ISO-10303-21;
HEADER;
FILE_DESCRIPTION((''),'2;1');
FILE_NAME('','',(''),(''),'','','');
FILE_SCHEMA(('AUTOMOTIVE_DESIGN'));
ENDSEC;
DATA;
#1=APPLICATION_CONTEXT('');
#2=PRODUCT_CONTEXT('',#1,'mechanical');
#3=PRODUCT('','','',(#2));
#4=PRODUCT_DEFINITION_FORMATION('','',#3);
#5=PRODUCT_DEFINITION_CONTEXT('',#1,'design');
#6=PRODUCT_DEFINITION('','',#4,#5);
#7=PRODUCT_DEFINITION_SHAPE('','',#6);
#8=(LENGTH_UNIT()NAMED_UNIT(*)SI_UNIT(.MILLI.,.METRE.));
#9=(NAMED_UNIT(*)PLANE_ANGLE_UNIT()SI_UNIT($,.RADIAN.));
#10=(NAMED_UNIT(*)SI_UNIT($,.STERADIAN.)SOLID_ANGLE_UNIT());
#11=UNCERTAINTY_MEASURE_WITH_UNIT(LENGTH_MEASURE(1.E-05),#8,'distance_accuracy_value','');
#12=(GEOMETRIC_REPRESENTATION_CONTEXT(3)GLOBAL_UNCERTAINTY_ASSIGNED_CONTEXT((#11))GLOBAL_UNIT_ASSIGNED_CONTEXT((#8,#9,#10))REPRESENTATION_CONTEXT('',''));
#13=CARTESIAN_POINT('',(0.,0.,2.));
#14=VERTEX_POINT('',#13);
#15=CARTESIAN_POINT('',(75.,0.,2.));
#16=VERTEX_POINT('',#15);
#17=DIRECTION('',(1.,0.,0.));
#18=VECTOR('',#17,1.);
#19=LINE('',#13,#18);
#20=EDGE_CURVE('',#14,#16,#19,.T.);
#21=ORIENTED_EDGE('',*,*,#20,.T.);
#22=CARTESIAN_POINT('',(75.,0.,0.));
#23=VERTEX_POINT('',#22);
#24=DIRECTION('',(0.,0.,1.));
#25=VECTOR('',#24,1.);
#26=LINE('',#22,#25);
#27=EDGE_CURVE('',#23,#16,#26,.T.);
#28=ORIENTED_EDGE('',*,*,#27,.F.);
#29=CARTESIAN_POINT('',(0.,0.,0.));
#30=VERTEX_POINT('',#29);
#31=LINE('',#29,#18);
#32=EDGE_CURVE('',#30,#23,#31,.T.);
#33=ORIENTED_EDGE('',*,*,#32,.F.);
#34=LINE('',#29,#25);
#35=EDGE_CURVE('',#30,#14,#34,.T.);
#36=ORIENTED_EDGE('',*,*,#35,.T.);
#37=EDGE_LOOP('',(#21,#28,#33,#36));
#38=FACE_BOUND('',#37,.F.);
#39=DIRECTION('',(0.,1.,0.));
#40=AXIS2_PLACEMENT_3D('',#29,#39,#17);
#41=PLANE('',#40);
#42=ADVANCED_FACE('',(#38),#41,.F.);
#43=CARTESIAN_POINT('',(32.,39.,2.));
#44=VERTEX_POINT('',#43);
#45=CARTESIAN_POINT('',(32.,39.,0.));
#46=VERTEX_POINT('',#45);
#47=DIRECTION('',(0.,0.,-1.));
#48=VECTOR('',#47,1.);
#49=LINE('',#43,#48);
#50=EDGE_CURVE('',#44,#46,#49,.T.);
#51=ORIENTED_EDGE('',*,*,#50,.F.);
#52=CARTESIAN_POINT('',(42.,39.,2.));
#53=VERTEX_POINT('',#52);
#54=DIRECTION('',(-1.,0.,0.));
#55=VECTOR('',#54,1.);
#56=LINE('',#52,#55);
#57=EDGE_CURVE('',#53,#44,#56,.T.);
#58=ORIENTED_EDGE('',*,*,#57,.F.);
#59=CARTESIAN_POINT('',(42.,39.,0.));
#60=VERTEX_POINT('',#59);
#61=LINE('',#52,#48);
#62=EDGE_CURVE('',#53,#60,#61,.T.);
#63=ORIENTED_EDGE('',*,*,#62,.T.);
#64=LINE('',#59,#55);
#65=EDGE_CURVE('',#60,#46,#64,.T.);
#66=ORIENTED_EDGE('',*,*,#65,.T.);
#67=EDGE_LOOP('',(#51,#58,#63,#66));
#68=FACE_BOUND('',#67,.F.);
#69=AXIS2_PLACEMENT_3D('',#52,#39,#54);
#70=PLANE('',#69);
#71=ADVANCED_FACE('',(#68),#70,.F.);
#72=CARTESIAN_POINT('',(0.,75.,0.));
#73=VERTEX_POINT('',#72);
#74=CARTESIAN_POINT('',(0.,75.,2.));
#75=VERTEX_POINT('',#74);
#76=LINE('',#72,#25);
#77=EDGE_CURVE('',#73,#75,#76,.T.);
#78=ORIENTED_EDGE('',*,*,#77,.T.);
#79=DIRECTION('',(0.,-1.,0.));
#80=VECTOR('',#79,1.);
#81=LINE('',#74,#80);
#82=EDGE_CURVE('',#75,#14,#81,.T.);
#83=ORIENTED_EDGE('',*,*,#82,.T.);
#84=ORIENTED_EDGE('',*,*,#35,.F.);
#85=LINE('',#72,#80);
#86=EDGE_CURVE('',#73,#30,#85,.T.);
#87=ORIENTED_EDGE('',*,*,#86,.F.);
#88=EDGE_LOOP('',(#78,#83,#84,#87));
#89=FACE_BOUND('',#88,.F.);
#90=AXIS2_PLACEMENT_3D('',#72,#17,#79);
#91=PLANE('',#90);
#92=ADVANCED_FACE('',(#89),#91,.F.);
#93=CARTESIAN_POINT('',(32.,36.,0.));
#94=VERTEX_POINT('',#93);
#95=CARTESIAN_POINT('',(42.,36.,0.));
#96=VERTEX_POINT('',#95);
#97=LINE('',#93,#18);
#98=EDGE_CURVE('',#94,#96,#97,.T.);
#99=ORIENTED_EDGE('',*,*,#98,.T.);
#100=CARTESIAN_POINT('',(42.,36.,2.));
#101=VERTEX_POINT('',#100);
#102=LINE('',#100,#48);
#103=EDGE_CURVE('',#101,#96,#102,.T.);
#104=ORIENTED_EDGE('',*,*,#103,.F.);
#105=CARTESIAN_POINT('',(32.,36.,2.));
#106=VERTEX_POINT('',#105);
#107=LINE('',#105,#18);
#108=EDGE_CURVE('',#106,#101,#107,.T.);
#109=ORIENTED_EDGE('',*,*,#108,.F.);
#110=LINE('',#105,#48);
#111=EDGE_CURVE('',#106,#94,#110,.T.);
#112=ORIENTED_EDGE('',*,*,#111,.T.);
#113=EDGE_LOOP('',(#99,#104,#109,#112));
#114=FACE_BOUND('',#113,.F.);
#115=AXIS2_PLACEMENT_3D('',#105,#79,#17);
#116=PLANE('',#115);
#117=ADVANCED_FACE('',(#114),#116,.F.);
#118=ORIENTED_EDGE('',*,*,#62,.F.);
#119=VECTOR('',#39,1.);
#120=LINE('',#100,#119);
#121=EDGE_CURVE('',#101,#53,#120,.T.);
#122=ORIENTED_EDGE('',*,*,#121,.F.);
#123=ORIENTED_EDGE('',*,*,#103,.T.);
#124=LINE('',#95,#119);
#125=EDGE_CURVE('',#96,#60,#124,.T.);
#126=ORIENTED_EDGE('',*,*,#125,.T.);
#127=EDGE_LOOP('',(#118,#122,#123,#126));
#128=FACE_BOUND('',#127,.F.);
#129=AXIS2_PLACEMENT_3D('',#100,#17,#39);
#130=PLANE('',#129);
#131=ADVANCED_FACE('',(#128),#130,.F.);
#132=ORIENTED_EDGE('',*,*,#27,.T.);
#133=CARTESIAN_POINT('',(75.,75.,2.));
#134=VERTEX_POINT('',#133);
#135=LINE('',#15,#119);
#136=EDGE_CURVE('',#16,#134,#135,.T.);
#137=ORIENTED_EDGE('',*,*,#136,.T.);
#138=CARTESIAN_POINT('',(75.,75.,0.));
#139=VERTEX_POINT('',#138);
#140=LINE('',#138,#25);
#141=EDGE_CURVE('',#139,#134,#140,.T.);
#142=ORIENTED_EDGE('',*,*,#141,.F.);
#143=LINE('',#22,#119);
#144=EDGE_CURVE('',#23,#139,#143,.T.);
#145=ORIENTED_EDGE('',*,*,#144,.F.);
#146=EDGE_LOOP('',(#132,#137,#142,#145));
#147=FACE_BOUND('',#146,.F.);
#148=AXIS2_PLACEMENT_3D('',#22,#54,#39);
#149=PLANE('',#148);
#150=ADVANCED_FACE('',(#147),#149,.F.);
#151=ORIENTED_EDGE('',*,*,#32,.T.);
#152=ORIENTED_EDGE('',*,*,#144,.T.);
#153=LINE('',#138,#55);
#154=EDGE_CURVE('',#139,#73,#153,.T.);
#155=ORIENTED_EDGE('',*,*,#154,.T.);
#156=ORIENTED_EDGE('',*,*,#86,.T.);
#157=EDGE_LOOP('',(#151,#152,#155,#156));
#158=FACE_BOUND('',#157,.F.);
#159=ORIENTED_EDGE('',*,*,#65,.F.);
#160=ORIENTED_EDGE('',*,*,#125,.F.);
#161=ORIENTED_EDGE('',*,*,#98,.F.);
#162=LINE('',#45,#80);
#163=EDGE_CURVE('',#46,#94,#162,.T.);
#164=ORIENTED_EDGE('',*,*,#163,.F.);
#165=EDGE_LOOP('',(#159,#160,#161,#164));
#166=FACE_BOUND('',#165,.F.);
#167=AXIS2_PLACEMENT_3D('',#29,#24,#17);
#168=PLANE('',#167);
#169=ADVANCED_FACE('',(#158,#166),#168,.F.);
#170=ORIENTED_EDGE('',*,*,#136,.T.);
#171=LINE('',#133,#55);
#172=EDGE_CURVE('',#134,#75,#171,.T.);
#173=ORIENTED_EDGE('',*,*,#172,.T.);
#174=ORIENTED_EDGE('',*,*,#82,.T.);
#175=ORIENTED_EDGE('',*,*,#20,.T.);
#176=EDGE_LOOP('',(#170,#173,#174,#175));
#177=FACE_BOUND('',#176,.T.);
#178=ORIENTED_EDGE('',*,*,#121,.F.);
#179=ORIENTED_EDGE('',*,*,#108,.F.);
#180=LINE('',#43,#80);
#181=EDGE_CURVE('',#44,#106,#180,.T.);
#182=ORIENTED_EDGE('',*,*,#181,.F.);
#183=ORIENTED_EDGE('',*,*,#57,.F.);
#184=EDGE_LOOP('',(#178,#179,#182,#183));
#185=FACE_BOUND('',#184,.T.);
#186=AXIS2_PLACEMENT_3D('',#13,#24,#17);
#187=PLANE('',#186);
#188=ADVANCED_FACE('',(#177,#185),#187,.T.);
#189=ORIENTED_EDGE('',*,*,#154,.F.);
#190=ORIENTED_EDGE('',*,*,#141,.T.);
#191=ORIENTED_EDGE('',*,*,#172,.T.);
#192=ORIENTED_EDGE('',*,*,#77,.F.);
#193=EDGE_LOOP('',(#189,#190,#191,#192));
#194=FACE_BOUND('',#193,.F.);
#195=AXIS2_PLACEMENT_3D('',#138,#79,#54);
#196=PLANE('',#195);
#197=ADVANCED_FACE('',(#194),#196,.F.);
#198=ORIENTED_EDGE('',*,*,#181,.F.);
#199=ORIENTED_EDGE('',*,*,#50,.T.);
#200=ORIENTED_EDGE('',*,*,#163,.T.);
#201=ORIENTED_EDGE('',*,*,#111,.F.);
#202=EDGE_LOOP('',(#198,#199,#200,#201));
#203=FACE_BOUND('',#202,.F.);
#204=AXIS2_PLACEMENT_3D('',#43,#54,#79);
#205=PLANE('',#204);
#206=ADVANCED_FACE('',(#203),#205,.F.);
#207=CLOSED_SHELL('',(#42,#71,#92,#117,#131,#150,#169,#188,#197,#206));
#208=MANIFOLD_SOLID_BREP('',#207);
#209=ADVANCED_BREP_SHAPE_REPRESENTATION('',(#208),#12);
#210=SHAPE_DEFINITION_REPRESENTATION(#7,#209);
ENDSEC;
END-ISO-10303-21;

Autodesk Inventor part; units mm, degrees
ref_plane "YZ Plane" through (0, 0, 0) normal (1, 0, 0) x (0, 1, 0)
ref_plane "XZ Plane" through (0, 0, 0) normal (0, 1, 0) x (-1, 0, 0)
ref_plane "XY Plane" through (0, 0, 0) normal (0, 0, 1) x (1, 0, 0)
sketch "Esquisse1" plane through (0, 0, 0) normal (0, 0, 1) x (1, 0, 0)
  line L0 (0, 0) -> (75, 0)
  line L1 (75, 0) -> (75, 75)
  line L2 (75, 75) -> (0, 75)
  line L3 (0, 75) -> (0, 0)
  dimension "d0" = 75
  dimension "d1" = 75
extrude "Extrusion1" add sketch "Esquisse1" along normal blind 2
sketch "Esquisse2" plane through (0, 0, 2) normal (0, 0, 1) x (1, 0, 0)
  line L0 (32, 36) -> (42, 36)
  line L1 (42, 36) -> (42, 39)
  line L2 (42, 39) -> (32, 39)
  line L3 (32, 39) -> (32, 36)
  line L4 (0, 0) -> (75, 0) projected
  line L5 (0, 75) -> (0, 0) projected
  dimension "d4" = 10
  dimension "d5" = 3
  dimension "d6" = 36
  dimension "d7" = 32
extrude "Extrusion2" cut sketch "Esquisse2" against normal blind 2
properties part number "Pièce-moteur-vis_CPY2"
